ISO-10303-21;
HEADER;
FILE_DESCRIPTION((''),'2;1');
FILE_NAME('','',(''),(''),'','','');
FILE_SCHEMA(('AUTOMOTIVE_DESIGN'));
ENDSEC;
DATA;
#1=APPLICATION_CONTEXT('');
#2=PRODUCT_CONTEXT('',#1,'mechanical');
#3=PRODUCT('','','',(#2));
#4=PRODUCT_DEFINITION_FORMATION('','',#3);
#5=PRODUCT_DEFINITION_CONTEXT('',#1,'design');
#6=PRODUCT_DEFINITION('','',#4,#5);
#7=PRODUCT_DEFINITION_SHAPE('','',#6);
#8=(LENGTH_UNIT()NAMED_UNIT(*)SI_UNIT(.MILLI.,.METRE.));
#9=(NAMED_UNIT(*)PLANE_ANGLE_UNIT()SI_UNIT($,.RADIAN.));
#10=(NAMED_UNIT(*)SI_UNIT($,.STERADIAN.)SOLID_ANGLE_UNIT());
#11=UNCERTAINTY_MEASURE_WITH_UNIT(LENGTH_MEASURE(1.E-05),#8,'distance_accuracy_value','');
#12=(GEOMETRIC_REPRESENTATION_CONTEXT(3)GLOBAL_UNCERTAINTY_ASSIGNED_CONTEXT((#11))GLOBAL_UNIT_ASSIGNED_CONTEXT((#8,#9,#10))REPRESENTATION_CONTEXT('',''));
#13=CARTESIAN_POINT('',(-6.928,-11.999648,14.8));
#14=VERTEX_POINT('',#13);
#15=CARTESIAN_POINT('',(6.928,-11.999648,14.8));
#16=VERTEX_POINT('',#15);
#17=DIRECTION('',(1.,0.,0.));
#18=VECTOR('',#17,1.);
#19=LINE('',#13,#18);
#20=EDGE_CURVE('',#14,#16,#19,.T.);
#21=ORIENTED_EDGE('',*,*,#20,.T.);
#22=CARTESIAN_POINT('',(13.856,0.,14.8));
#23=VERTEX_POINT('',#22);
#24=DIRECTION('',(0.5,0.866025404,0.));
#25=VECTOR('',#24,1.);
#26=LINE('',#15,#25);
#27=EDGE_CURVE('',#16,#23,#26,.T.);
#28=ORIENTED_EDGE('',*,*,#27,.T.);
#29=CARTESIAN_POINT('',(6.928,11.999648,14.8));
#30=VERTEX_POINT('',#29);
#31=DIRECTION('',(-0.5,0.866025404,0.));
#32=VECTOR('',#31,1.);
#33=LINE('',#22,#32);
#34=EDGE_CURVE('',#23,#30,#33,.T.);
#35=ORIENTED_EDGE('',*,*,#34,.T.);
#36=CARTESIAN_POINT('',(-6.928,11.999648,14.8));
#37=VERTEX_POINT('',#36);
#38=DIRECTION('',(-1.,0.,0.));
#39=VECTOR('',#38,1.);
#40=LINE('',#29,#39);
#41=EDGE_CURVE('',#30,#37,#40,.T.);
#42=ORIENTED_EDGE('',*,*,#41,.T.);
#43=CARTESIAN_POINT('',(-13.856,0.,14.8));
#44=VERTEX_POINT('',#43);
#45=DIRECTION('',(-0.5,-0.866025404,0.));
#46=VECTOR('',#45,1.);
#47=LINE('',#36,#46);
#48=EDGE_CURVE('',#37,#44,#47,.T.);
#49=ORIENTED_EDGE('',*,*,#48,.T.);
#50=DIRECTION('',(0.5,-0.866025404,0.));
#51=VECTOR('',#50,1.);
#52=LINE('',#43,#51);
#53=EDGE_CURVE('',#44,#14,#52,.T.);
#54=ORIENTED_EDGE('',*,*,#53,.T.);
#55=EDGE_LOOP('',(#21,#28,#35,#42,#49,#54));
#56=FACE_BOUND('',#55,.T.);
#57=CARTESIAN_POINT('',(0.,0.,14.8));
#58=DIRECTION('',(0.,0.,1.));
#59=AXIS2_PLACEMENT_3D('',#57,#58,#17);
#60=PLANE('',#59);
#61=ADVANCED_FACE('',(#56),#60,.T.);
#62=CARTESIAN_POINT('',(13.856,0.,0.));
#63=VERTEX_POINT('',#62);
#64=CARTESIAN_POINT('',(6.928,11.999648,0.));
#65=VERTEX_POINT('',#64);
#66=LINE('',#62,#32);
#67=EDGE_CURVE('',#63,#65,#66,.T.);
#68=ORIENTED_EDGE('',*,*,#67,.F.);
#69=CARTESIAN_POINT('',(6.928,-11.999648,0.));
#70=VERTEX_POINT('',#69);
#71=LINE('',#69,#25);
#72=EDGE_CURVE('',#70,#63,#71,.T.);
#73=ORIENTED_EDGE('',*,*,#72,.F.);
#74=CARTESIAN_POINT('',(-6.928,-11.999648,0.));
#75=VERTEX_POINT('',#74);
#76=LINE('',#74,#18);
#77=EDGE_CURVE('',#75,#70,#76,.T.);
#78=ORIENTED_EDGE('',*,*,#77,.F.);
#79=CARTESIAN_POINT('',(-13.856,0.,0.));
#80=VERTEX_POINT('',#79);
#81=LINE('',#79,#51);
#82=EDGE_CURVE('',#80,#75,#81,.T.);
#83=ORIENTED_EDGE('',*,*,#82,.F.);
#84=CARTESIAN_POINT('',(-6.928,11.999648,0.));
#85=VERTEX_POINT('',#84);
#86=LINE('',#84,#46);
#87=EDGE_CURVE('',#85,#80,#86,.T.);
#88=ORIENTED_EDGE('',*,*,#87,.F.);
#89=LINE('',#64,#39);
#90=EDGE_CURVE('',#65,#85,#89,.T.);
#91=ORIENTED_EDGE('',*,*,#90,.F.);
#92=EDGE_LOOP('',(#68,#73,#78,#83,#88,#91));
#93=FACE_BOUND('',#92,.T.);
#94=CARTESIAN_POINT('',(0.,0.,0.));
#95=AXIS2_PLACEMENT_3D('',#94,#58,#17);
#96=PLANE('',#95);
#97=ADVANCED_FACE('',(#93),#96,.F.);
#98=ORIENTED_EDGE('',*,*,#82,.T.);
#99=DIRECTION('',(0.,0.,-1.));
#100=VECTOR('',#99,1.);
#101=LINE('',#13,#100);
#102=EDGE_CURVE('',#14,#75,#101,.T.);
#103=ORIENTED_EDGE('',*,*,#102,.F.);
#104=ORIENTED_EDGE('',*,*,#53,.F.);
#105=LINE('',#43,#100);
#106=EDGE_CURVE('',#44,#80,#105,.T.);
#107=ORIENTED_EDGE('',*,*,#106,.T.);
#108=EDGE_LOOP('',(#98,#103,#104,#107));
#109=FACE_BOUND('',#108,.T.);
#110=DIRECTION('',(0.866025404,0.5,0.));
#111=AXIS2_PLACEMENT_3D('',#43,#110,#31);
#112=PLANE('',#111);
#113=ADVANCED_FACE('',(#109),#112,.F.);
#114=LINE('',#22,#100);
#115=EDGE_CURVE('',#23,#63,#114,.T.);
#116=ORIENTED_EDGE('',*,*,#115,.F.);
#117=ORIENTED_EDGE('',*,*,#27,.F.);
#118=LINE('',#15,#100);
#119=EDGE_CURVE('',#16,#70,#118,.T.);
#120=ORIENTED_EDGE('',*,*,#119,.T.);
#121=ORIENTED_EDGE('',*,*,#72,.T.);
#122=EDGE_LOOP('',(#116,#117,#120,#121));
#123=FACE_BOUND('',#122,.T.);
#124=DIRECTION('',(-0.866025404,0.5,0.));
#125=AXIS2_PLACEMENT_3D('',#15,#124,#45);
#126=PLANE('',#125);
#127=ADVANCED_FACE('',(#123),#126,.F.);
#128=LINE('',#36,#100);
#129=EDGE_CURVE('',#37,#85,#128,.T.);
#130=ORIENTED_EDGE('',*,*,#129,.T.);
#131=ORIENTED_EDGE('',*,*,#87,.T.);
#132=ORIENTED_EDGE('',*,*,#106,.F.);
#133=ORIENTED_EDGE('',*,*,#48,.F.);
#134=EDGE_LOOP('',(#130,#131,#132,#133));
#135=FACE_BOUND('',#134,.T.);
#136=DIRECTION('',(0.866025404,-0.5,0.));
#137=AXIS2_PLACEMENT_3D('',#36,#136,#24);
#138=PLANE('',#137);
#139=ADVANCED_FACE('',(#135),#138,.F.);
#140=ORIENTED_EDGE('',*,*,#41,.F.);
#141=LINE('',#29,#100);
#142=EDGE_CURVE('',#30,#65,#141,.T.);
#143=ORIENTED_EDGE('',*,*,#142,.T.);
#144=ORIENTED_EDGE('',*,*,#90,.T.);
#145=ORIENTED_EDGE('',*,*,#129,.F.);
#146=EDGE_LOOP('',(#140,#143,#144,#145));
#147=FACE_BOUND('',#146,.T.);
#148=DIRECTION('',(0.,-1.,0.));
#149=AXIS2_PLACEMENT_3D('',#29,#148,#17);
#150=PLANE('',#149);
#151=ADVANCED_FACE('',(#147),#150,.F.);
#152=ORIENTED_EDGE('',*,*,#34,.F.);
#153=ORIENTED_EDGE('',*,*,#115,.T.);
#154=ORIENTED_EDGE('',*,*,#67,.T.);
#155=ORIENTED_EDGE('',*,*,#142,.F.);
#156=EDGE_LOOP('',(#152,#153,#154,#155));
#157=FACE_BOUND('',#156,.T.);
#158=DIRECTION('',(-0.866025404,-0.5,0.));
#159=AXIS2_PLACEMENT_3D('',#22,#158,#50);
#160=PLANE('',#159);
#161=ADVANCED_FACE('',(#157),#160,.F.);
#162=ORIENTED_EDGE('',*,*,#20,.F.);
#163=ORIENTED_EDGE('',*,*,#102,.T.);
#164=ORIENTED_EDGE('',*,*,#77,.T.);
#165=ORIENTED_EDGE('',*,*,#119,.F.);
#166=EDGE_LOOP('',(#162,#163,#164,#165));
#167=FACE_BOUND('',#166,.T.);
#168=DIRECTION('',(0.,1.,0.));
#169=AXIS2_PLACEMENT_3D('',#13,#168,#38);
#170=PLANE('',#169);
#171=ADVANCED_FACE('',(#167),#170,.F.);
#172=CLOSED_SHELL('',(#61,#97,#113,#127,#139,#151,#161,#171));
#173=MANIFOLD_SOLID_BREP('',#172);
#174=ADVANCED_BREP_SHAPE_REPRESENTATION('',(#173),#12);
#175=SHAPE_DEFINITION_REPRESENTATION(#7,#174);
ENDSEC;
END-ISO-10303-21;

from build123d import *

# Parameters (mm, degrees)
EXTRUDE_1_DEPTH = 14.8


with BuildPart() as part:
    # 草图1 → 凸台-拉伸1 (new body)
    with BuildSketch(Plane.XY):
        Polygon((13.856, 0), (6.928, 11.999647995), (-6.928, 11.999647995), (-13.856, 0), (-6.928, -11.999647995), (6.928, -11.999647995), align=None)
    extrude(amount=EXTRUDE_1_DEPTH)


solid = part.part
